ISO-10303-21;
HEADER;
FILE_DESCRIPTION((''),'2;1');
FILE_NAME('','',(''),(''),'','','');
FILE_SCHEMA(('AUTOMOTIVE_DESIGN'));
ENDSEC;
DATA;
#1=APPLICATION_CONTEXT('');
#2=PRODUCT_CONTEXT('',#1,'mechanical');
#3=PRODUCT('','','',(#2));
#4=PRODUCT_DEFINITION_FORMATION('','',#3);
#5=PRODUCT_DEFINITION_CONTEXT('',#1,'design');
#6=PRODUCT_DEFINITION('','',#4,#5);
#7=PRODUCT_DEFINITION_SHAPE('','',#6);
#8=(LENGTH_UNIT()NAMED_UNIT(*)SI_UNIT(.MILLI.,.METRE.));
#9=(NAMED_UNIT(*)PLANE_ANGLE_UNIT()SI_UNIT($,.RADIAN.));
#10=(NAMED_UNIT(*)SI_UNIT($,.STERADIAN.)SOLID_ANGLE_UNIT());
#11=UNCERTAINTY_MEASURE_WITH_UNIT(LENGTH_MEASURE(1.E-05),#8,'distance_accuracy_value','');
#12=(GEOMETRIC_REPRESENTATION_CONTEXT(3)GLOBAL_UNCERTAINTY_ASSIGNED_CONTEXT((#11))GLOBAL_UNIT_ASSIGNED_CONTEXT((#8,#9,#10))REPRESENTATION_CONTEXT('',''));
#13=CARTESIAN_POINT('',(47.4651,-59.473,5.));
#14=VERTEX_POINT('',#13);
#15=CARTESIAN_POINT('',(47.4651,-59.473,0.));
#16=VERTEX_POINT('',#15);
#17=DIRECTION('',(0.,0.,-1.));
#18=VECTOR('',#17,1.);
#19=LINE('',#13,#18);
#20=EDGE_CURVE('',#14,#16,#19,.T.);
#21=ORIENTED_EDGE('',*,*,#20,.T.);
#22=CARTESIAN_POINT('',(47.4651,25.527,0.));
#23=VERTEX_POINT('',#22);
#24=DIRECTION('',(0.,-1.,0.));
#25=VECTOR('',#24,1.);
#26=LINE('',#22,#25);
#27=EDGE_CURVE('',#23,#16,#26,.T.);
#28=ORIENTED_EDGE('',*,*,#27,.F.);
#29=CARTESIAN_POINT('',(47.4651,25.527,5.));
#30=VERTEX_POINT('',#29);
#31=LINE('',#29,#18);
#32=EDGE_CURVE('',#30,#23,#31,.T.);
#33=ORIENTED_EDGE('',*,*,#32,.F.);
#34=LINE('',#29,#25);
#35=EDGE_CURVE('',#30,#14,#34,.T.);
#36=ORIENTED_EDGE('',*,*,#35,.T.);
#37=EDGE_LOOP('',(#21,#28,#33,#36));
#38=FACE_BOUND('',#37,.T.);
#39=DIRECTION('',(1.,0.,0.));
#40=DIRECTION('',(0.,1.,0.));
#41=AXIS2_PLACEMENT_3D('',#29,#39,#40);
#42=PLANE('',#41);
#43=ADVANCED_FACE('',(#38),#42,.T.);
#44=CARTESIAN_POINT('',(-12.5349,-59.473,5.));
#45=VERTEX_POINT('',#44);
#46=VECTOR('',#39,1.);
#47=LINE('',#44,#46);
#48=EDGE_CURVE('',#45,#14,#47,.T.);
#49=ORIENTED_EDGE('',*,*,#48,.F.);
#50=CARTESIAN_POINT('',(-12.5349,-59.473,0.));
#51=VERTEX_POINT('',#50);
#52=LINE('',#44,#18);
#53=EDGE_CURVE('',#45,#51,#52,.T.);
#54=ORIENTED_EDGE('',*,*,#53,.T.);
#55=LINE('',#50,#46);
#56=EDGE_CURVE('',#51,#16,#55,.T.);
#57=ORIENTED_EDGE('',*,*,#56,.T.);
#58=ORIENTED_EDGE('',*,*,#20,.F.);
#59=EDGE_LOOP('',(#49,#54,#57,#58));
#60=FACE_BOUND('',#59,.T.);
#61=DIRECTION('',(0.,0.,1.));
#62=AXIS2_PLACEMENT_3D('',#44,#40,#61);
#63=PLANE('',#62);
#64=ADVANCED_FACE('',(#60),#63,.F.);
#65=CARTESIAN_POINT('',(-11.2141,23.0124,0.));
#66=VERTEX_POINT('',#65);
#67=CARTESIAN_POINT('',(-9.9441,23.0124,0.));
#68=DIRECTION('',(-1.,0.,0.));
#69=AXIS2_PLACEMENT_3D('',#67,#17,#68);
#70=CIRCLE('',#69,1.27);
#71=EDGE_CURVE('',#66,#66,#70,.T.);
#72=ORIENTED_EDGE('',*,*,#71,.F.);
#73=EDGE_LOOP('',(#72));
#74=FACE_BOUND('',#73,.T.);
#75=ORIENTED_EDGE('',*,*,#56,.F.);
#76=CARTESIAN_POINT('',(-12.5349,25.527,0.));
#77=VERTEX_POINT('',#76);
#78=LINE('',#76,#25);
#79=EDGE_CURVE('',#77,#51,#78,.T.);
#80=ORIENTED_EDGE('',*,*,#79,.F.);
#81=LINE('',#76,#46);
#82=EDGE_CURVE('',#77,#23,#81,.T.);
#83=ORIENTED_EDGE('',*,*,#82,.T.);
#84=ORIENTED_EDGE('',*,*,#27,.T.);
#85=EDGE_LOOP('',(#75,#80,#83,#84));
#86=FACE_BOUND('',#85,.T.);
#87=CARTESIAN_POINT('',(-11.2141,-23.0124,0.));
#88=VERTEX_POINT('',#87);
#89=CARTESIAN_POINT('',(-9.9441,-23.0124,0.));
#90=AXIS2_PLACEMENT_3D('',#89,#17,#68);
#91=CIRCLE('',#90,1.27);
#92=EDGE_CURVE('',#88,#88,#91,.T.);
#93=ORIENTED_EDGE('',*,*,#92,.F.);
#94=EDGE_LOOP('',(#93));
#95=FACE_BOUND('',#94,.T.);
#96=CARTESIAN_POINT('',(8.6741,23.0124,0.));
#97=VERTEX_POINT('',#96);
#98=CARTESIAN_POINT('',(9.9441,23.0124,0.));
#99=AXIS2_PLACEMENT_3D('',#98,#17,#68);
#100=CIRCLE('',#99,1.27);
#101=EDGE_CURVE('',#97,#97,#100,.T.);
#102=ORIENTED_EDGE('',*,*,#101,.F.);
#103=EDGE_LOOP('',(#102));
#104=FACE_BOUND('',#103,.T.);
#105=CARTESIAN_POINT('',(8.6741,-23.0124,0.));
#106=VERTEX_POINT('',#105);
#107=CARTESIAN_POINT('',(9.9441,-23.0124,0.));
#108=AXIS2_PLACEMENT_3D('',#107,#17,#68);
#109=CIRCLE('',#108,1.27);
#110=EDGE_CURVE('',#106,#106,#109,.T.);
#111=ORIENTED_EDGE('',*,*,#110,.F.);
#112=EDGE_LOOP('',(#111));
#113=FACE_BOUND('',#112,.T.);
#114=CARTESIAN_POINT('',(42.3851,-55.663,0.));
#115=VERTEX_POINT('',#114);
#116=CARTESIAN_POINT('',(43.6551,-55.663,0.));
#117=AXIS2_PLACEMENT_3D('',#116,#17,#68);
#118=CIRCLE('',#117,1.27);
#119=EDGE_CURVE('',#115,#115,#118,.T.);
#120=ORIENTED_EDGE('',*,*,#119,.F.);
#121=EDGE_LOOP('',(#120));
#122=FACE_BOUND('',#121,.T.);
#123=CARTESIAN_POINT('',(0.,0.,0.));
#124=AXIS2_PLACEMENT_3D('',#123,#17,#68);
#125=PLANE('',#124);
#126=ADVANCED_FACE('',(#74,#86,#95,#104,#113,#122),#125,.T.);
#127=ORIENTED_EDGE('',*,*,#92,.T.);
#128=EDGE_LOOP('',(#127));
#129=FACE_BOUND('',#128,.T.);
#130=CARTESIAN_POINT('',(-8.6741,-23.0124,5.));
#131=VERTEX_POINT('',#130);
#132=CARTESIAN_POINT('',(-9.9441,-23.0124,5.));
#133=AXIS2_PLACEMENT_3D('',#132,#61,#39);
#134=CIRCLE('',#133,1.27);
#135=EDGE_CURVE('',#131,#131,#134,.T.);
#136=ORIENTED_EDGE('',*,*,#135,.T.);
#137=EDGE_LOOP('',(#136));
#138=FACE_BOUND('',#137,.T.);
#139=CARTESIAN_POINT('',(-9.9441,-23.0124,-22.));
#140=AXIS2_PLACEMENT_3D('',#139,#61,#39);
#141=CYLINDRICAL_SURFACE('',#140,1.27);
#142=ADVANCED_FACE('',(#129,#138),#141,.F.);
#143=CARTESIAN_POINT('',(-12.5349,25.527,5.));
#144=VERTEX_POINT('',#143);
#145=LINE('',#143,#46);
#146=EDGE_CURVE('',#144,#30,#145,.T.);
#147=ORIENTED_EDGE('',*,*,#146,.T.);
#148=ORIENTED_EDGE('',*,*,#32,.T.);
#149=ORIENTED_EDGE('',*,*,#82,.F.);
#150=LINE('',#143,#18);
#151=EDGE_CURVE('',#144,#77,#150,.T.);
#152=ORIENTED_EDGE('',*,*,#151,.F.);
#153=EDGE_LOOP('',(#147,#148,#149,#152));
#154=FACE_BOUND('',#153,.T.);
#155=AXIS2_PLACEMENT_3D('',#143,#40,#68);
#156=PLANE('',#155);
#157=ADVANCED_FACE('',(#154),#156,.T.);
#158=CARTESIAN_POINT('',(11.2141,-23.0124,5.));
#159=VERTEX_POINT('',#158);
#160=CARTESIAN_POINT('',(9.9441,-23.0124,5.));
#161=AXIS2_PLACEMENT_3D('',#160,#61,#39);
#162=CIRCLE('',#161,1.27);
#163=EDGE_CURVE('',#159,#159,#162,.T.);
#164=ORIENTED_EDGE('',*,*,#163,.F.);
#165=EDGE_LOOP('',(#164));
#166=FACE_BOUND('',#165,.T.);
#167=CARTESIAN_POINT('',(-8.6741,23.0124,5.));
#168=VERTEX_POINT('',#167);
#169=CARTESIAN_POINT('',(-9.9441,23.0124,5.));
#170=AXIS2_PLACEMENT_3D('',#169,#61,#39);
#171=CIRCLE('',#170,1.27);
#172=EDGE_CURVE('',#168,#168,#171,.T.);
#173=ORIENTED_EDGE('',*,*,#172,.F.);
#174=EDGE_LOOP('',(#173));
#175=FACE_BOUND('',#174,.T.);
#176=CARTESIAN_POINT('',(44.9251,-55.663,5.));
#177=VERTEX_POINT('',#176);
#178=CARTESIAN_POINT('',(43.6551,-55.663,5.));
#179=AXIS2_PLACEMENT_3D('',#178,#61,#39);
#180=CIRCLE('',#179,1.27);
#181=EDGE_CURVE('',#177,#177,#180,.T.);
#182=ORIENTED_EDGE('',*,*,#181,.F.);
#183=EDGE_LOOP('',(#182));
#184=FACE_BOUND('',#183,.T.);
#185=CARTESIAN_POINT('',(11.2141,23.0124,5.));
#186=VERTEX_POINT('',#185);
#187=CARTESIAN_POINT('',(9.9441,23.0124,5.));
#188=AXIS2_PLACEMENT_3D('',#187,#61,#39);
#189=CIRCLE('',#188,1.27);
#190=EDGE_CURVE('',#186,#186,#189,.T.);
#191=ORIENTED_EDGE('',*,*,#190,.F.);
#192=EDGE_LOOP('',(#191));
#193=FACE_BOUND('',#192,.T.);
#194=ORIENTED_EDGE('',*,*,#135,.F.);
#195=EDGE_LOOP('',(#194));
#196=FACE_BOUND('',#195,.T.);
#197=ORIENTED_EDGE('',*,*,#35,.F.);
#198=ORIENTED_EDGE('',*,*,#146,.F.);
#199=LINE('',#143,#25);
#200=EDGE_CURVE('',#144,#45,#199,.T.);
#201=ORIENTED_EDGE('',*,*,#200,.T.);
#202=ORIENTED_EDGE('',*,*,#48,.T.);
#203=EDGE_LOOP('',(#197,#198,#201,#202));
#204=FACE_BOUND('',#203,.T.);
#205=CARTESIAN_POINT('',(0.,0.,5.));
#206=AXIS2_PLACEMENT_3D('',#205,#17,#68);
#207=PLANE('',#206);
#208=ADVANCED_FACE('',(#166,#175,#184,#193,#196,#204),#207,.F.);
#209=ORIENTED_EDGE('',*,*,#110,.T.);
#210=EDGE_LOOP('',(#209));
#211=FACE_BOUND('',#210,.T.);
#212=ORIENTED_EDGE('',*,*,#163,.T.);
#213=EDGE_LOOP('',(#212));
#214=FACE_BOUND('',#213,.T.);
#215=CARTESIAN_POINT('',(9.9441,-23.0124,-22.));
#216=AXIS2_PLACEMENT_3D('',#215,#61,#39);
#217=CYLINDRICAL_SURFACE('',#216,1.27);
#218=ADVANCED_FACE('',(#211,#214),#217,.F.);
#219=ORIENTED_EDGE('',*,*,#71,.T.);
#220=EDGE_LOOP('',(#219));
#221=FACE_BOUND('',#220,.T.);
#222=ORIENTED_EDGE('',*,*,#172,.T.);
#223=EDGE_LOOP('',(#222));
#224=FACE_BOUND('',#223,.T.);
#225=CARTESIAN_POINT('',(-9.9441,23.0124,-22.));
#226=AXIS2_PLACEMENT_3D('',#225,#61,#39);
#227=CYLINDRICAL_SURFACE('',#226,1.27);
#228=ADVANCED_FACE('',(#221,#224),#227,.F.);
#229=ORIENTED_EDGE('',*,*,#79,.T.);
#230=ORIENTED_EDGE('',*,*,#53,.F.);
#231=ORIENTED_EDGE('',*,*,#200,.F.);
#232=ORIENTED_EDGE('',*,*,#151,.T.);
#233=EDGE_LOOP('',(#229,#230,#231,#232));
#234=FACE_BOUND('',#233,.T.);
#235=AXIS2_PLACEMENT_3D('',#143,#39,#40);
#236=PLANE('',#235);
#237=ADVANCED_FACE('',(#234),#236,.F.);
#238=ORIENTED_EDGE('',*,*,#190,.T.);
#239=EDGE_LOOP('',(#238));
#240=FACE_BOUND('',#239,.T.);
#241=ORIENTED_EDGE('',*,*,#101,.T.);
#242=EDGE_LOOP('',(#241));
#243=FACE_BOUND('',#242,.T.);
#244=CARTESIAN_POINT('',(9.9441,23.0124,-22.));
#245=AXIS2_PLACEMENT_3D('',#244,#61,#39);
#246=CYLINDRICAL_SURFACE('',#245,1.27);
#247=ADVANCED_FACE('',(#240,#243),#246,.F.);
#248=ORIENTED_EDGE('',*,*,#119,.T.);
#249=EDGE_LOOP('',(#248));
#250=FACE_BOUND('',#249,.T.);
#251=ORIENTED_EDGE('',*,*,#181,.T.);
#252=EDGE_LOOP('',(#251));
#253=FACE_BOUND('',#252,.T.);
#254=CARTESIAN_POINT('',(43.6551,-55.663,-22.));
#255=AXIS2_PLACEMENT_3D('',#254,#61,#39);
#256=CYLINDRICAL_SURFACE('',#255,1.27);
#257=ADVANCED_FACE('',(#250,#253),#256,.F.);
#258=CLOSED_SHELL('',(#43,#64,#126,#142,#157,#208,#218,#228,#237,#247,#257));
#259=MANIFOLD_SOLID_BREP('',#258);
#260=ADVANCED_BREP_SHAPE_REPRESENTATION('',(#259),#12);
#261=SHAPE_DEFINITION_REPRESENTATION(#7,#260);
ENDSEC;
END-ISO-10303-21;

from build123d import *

# Parameters (mm, degrees)
SKETCH1_W           = 60
SKETCH1_H           = 85
BOSS_EXTRUDE1_DEPTH = 5
SKETCH2_R           = 1.27
CUT_EXTRUDE1_DEPTH  = 27


with BuildPart() as part:
    # Sketch1 → Boss-Extrude1 (new body)
    with BuildSketch(Plane.XY):
        with Locations((17.4651, -16.973)):
            Rectangle(SKETCH1_W, SKETCH1_H)
    extrude(amount=BOSS_EXTRUDE1_DEPTH)

    # Sketch2 → Cut-Extrude1 (cut)
    with BuildSketch(Plane.XY.offset(5)):
        with Locations((9.9441, -23.0124)):
            Circle(SKETCH2_R)
        with Locations((-9.9441, -23.0124)):
            Circle(SKETCH2_R)
        with Locations((-9.9441, 23.0124)):
            Circle(SKETCH2_R)
        with Locations((9.9441, 23.0124)):
            Circle(SKETCH2_R)
        with Locations((43.6551, -55.663)):
            Circle(SKETCH2_R)
    extrude(amount=-CUT_EXTRUDE1_DEPTH, mode=Mode.SUBTRACT)


solid = part.part
